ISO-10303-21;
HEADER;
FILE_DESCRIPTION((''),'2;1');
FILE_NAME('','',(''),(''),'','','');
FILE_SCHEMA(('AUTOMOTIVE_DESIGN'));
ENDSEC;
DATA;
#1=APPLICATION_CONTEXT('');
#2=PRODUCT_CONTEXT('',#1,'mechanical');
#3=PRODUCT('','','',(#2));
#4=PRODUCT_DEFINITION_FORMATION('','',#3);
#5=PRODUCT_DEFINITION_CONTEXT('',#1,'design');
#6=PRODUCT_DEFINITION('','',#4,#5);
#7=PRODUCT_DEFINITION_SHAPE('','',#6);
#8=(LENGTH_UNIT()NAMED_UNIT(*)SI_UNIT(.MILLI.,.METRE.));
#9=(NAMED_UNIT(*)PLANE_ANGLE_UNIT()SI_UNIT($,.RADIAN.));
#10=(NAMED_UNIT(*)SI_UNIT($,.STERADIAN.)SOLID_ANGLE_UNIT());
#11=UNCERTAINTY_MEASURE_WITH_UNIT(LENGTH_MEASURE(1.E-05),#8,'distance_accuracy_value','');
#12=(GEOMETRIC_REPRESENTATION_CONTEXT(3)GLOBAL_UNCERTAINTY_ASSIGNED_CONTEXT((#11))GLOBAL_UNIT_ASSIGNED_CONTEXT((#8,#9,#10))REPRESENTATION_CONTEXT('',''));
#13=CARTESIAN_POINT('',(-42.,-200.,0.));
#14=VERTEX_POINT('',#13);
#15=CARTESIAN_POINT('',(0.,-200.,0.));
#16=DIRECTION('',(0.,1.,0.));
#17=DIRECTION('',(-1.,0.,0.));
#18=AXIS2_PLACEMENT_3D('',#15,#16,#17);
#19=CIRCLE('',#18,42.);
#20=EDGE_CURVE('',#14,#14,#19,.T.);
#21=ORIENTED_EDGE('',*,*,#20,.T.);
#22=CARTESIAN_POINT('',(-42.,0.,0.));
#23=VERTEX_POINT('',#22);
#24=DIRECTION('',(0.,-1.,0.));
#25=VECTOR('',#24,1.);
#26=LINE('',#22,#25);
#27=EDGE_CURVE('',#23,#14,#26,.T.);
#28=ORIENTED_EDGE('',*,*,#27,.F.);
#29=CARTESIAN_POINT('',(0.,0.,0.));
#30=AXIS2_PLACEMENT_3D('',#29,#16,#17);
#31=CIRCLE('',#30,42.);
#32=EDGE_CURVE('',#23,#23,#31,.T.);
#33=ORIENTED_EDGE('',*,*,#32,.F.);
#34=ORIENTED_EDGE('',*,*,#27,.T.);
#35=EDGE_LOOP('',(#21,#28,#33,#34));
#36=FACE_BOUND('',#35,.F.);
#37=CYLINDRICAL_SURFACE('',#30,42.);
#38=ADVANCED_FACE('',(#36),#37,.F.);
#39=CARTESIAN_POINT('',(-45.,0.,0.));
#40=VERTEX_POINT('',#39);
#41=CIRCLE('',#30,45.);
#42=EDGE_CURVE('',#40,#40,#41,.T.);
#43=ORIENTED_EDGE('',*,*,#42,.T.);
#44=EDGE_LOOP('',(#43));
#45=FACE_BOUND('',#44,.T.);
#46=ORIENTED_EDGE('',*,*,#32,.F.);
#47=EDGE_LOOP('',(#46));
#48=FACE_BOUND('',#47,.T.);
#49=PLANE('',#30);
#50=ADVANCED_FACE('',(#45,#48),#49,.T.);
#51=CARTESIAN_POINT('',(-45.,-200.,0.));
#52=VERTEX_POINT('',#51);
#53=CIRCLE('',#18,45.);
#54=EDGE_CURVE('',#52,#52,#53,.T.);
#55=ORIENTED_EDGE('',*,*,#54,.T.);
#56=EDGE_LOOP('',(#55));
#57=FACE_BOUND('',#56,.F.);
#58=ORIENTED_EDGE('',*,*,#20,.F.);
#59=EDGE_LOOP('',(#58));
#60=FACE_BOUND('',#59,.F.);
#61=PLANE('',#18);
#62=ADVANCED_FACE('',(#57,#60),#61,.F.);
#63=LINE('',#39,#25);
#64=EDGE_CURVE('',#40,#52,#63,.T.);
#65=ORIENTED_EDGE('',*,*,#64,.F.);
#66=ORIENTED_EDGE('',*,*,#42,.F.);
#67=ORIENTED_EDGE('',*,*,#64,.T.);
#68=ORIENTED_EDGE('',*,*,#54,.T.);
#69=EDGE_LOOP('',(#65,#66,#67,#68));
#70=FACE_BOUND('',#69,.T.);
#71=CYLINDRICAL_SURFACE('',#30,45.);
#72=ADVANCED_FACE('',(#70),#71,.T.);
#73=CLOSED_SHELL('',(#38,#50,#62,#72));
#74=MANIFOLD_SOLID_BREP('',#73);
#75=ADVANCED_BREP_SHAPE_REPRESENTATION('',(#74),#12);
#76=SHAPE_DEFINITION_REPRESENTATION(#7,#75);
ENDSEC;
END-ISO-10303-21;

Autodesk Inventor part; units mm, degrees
ref_plane "YZ Plane" through (0, 0, 0) normal (1, 0, 0) x (0, 1, 0)
ref_plane "XZ Plane" through (0, 0, 0) normal (0, 1, 0) x (-1, 0, 0)
ref_plane "XY Plane" through (0, 0, 0) normal (0, 0, 1) x (1, 0, 0)
sketch "Sketch1" plane through (0, 0, 0) normal (0, 1, 0) x (-1, 0, 0)
  circle A0 centre (0, 0) radius 45
  circle A1 centre (0, 0) radius 42
  dimension "d0" = 90
  dimension "d1" = 3
extrude "Extrusion1" add sketch "Sketch1" against normal blind 200
properties part number "PNS- 752 tube" material "Steel"
